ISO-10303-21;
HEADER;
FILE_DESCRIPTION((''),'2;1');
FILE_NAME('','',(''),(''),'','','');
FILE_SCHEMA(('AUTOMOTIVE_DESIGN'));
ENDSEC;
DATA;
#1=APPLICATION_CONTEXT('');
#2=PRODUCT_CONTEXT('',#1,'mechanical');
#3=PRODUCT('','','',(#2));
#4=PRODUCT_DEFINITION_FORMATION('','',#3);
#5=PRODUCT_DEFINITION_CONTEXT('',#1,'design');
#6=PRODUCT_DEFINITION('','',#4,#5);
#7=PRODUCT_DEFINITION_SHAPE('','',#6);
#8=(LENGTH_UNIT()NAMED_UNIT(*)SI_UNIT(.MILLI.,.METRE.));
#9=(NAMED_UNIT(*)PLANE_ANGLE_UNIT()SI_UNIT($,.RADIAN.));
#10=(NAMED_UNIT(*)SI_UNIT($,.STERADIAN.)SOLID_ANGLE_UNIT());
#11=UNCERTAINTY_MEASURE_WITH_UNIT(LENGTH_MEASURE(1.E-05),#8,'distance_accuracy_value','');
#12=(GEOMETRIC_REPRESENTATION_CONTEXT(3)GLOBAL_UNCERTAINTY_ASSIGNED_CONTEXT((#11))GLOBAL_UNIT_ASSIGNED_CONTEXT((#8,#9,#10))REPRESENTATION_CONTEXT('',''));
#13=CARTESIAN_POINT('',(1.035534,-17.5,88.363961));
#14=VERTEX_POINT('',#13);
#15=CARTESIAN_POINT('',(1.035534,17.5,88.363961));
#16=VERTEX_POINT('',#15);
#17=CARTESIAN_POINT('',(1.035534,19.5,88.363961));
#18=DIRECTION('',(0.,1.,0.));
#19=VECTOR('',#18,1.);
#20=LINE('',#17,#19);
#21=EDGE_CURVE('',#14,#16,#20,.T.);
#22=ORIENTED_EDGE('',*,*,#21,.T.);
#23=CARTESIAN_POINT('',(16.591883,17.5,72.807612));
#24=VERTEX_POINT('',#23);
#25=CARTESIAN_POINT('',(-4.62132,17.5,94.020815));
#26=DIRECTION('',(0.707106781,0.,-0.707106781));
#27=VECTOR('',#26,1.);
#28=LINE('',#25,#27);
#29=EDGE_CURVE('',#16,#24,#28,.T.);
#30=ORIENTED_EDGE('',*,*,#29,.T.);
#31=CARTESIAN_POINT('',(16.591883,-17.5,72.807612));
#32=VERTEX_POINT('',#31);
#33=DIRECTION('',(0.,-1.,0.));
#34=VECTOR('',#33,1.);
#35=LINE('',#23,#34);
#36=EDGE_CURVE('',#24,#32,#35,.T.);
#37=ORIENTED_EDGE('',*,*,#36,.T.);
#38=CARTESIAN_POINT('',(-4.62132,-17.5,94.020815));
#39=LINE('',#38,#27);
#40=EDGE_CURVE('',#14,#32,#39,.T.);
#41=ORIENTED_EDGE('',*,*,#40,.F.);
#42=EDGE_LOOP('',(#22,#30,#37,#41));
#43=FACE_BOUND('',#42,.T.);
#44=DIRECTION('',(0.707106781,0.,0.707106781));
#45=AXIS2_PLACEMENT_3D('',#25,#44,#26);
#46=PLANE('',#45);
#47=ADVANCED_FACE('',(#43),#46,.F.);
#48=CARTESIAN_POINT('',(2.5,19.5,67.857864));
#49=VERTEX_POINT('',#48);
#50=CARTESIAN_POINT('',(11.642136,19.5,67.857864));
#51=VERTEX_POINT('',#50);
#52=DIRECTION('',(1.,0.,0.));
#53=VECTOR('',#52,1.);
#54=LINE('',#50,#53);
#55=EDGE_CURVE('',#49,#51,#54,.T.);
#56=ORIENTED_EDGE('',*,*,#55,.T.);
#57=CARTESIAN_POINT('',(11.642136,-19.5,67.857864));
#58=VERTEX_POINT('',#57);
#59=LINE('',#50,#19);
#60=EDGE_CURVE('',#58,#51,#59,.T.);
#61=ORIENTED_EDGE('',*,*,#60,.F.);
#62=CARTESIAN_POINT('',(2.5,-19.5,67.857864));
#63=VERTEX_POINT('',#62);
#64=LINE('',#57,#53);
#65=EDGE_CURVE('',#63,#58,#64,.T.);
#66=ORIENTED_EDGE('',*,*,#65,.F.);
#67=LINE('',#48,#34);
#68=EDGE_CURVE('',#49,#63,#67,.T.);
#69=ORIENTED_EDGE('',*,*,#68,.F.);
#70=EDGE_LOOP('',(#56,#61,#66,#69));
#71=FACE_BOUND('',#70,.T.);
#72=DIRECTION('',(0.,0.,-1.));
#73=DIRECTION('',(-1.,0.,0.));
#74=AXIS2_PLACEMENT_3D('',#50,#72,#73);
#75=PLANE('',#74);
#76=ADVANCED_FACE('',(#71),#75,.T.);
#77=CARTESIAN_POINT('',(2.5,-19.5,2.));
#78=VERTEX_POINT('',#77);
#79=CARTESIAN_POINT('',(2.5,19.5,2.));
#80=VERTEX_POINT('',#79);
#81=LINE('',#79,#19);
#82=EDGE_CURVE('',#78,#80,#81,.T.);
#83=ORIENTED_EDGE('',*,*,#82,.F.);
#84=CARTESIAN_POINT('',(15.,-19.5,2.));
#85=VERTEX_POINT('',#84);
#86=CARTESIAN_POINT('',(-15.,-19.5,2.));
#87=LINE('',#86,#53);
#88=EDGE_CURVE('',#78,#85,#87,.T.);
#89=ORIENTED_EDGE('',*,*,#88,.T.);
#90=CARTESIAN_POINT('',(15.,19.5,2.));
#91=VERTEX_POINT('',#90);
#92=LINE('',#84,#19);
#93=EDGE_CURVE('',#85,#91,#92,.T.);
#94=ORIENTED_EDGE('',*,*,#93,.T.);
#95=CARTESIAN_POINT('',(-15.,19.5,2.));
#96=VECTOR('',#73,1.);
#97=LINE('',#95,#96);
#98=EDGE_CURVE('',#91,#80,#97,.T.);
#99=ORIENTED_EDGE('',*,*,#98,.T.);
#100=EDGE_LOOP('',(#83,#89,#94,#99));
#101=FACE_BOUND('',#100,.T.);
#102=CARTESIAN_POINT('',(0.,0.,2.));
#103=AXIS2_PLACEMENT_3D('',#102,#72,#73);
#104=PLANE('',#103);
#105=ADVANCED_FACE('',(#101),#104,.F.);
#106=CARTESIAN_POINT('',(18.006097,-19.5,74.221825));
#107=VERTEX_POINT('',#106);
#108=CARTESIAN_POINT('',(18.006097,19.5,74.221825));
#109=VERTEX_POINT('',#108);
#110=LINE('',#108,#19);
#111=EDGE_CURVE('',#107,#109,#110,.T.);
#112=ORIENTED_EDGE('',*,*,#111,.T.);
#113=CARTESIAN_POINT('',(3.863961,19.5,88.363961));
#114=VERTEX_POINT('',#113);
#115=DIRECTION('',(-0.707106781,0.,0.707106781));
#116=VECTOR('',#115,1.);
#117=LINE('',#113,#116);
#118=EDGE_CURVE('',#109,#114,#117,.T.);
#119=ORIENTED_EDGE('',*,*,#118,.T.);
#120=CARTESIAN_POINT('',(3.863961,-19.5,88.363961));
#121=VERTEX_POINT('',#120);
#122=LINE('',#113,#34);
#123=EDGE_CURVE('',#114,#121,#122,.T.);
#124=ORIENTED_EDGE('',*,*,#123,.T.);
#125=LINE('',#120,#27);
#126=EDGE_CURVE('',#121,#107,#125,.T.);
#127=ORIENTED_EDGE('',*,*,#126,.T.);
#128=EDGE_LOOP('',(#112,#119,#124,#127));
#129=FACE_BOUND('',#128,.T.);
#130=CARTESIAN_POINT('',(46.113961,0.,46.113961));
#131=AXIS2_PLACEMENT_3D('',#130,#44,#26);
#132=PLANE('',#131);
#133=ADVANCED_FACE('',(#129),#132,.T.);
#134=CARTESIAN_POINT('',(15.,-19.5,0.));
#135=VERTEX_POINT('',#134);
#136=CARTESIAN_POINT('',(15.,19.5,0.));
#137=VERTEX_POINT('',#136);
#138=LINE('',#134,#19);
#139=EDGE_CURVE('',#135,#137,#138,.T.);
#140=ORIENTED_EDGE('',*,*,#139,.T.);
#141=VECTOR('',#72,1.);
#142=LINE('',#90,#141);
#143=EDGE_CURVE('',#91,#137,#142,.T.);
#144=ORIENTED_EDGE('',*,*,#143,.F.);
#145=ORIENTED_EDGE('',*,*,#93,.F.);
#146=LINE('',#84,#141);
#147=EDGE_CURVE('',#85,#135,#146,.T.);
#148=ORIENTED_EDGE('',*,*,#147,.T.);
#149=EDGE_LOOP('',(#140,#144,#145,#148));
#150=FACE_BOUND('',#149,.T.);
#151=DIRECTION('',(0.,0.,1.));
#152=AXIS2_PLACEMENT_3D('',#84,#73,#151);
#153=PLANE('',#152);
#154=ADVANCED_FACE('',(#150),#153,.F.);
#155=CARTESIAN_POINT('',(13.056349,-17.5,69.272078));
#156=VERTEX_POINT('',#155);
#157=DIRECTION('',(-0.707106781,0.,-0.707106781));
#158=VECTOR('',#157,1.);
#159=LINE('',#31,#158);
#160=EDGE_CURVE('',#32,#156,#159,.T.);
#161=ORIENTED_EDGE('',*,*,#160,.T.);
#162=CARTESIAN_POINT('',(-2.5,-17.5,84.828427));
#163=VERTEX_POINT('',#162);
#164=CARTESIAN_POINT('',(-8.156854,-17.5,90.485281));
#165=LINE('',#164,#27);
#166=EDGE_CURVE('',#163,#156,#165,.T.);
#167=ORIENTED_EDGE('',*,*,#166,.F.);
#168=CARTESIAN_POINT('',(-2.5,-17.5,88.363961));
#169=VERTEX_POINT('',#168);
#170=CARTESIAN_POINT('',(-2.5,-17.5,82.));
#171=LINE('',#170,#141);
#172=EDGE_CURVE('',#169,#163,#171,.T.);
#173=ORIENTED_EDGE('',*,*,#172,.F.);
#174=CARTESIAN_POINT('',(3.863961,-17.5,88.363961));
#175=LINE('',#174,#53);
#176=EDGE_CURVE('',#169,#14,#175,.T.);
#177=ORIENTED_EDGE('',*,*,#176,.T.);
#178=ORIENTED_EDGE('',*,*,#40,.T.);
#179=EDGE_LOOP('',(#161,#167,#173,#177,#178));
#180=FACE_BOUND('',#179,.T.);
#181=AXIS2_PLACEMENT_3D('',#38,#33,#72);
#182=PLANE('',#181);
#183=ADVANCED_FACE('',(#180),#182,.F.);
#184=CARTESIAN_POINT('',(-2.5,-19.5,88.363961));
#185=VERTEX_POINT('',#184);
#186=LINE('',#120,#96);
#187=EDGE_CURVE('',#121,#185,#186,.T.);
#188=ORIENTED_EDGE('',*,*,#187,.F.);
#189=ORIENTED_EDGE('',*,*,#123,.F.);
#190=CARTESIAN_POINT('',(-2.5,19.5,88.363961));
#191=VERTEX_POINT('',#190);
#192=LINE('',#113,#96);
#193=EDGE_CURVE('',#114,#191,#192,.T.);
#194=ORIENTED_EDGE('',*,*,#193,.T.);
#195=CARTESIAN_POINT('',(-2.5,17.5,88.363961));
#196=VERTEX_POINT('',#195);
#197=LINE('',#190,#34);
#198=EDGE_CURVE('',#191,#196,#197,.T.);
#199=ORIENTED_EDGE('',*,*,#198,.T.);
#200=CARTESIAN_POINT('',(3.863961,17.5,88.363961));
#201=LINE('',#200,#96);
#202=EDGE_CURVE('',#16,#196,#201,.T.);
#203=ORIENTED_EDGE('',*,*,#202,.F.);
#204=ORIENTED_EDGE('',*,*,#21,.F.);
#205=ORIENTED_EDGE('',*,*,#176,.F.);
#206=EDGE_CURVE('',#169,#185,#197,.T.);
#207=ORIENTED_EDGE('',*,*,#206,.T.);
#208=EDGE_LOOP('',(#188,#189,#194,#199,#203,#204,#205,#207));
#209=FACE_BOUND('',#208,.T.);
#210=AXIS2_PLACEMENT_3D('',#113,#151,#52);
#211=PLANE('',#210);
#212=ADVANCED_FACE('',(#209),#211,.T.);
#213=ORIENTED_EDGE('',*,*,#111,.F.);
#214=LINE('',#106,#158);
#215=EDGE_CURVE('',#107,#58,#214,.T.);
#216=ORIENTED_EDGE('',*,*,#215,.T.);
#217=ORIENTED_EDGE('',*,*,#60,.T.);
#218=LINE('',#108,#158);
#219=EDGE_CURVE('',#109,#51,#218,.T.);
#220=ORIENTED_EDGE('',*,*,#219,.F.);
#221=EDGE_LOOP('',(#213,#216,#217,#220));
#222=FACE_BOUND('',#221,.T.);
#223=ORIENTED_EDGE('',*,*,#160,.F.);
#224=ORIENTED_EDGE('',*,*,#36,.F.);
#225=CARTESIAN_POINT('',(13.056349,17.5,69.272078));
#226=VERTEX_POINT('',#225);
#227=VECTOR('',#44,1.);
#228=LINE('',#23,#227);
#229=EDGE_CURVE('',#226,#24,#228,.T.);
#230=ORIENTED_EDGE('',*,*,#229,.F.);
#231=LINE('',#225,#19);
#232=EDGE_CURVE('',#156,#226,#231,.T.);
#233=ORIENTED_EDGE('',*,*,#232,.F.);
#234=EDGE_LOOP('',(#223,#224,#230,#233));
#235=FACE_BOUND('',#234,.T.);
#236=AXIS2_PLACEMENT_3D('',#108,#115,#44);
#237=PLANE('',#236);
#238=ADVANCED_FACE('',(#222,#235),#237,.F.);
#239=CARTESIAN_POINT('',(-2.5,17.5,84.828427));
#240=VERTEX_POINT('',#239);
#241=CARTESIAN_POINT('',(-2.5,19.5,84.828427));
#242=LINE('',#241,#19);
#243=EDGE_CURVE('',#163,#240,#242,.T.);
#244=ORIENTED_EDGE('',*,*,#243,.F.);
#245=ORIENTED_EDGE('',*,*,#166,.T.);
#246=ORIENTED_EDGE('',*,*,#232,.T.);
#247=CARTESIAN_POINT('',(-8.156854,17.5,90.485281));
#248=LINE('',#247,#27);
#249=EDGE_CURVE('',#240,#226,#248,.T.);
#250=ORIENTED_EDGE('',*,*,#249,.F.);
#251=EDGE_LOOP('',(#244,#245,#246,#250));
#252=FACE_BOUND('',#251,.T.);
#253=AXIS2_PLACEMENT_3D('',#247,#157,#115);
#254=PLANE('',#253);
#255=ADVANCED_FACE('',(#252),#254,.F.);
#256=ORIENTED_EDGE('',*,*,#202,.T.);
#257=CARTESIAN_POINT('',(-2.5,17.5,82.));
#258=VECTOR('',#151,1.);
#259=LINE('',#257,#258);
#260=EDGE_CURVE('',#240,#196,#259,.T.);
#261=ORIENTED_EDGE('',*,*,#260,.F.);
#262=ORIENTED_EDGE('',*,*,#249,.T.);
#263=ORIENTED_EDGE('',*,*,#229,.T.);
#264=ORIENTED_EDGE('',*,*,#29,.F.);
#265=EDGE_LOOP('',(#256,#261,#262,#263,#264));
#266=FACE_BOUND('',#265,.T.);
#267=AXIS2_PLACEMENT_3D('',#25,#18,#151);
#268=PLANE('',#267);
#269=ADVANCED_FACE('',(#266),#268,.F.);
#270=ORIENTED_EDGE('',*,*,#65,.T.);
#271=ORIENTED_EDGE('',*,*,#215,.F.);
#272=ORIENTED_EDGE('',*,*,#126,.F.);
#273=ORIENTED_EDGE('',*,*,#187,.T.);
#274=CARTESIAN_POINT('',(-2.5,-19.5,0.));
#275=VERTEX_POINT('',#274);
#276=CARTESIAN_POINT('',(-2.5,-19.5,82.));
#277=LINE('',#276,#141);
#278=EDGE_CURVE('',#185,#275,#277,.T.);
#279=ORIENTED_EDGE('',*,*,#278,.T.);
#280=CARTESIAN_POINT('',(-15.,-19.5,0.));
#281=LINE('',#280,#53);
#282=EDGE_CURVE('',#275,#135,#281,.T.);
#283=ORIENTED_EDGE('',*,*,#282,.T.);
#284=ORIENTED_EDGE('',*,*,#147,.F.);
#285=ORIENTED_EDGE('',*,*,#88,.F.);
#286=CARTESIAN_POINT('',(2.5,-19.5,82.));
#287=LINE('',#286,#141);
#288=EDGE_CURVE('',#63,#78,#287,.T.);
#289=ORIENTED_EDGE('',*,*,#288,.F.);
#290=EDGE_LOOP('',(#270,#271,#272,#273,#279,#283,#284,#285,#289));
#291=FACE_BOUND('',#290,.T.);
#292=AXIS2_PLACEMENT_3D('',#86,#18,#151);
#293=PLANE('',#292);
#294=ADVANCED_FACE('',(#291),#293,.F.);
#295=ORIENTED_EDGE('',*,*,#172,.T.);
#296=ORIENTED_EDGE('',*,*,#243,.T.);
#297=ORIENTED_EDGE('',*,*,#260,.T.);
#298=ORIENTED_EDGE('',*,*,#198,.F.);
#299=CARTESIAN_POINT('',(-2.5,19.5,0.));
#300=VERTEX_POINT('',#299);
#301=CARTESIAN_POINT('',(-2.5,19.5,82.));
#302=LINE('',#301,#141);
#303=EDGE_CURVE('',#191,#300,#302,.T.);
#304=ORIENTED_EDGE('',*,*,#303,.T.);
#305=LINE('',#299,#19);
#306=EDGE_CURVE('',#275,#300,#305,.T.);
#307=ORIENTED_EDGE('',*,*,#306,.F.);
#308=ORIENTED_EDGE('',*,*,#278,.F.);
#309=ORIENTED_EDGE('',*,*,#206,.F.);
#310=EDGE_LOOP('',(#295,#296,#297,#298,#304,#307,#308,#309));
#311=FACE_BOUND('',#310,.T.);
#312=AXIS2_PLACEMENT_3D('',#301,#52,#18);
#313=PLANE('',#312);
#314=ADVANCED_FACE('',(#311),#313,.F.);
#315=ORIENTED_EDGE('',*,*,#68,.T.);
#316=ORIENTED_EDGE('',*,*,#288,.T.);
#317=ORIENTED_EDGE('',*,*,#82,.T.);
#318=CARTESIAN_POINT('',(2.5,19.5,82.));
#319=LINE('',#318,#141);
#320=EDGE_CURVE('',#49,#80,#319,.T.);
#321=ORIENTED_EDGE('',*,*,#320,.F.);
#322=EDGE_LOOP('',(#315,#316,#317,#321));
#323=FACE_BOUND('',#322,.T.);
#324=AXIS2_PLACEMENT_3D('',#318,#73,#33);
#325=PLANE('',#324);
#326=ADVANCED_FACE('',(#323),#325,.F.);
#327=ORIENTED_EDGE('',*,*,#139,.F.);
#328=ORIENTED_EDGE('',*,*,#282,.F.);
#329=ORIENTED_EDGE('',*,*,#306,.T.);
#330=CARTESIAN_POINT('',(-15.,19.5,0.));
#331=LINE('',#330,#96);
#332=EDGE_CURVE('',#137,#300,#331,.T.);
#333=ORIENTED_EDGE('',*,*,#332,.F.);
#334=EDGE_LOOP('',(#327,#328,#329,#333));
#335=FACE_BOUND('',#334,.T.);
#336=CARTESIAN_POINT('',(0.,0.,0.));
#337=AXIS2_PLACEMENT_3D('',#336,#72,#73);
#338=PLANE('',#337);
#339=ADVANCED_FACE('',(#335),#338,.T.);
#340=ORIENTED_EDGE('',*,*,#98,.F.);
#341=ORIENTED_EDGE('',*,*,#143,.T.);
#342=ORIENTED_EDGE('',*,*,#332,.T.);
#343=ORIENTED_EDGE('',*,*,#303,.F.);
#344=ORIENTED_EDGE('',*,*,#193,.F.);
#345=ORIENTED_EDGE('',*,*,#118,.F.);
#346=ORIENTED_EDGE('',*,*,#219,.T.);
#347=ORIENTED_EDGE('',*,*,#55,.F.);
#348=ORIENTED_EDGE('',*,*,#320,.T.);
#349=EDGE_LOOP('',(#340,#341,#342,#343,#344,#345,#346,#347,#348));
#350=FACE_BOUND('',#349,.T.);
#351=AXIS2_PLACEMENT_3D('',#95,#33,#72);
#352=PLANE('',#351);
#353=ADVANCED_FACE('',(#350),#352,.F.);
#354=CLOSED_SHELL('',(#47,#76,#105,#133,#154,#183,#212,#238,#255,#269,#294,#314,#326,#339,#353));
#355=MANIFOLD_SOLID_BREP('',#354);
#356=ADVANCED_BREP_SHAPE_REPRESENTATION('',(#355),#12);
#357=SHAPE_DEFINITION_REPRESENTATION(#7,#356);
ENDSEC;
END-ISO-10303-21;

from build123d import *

# Parameters (mm, degrees)
SKETCH1_W           = 30
SKETCH1_H           = 39
BOSS_EXTRUDE1_DEPTH = 2
SKETCH2_W           = 5
SKETCH2_H           = 39
BOSS_EXTRUDE2_DEPTH = 80
CUT_EXTRUDE1_DEPTH  = 39
SKETCH4_W           = 20
SKETCH4_H           = 39
BOSS_EXTRUDE3_DEPTH = 9
SKETCH5_W           = 5
SKETCH5_H           = 35
CUT_EXTRUDE2_DEPTH  = 30
SKETCH6_W           = 12.5
SKETCH6_H           = 39
CUT_EXTRUDE3_DEPTH  = 2
BOSS_EXTRUDE4_DEPTH = 39
BOSS_EXTRUDE5_DEPTH = 39
SKETCH10_W          = 5
SKETCH10_H          = 35
CUT_EXTRUDE4_DEPTH  = 10


with BuildPart() as part:
    # Sketch1 → Boss-Extrude1 (new body)
    with BuildSketch(Plane.XY):
        Rectangle(SKETCH1_W, SKETCH1_H)
    extrude(amount=BOSS_EXTRUDE1_DEPTH)

    # Sketch2 → Boss-Extrude2 (add)
    with BuildSketch(Plane.XY.offset(2)):
        Rectangle(SKETCH2_W, SKETCH2_H)
    extrude(amount=BOSS_EXTRUDE2_DEPTH)

    # Sketch3 → Cut-Extrude1 (cut)
    with BuildSketch(Plane.XZ.offset(19.5)):
        Polygon((-2.5, 82), (2.5, 82), (2.5, 77), align=None)
    extrude(amount=-CUT_EXTRUDE1_DEPTH, mode=Mode.SUBTRACT)

    # Sketch4 → Boss-Extrude3 (add)
    with BuildSketch(Plane(origin=(39.75, 0, 39.75), x_dir=(0.707106781, 0, -0.707106781), z_dir=(0.707106781, 0, 0.707106781))):
        with Locations((-49.75052301, 0)):
            Rectangle(SKETCH4_W, SKETCH4_H)
    extrude(amount=BOSS_EXTRUDE3_DEPTH)

    # Sketch5 → Cut-Extrude2 (cut)
    with BuildSketch(Plane(origin=(-28.107864376, 0, 28.107864376), x_dir=(-0.707106781, 0, -0.707106781), z_dir=(0.707106781, 0, -0.707106781))):
        with Locations((-60.714989104, 0)):
            Rectangle(SKETCH5_W, SKETCH5_H)
    extrude(amount=-CUT_EXTRUDE2_DEPTH, mode=Mode.SUBTRACT)

    # Sketch6 → Cut-Extrude3 (cut)
    with BuildSketch(Plane.XY.offset(2)):
        with Locations((-8.75, 0)):
            Rectangle(SKETCH6_W, SKETCH6_H)
    extrude(amount=-CUT_EXTRUDE3_DEPTH, mode=Mode.SUBTRACT)

    # Sketch7 → Boss-Extrude4 (add)
    with BuildSketch(Plane.XZ.offset(19.5)):
        Polygon((-2.5, 82), (3.863961031, 88.363961031), (-2.5, 88.363961031), align=None)
    extrude(amount=-BOSS_EXTRUDE4_DEPTH)

    # Sketch8 → Boss-Extrude5 (add)
    with BuildSketch(Plane.XZ.offset(19.5)):
        Polygon((2.5, 77), (11.642135624, 67.857864376), (2.5, 67.857864376), align=None)
    extrude(amount=-BOSS_EXTRUDE5_DEPTH)

    # Sketch10 → Cut-Extrude4 (cut)
    with BuildSketch(Plane(origin=(-42.25, 0, 42.25), x_dir=(-0.707106781, 0, -0.707106781), z_dir=(0.707106781, 0, -0.707106781))):
        with Locations((-60.714989104, 0)):
            Rectangle(SKETCH10_W, SKETCH10_H)
    extrude(amount=-CUT_EXTRUDE4_DEPTH, mode=Mode.SUBTRACT)


solid = part.part
